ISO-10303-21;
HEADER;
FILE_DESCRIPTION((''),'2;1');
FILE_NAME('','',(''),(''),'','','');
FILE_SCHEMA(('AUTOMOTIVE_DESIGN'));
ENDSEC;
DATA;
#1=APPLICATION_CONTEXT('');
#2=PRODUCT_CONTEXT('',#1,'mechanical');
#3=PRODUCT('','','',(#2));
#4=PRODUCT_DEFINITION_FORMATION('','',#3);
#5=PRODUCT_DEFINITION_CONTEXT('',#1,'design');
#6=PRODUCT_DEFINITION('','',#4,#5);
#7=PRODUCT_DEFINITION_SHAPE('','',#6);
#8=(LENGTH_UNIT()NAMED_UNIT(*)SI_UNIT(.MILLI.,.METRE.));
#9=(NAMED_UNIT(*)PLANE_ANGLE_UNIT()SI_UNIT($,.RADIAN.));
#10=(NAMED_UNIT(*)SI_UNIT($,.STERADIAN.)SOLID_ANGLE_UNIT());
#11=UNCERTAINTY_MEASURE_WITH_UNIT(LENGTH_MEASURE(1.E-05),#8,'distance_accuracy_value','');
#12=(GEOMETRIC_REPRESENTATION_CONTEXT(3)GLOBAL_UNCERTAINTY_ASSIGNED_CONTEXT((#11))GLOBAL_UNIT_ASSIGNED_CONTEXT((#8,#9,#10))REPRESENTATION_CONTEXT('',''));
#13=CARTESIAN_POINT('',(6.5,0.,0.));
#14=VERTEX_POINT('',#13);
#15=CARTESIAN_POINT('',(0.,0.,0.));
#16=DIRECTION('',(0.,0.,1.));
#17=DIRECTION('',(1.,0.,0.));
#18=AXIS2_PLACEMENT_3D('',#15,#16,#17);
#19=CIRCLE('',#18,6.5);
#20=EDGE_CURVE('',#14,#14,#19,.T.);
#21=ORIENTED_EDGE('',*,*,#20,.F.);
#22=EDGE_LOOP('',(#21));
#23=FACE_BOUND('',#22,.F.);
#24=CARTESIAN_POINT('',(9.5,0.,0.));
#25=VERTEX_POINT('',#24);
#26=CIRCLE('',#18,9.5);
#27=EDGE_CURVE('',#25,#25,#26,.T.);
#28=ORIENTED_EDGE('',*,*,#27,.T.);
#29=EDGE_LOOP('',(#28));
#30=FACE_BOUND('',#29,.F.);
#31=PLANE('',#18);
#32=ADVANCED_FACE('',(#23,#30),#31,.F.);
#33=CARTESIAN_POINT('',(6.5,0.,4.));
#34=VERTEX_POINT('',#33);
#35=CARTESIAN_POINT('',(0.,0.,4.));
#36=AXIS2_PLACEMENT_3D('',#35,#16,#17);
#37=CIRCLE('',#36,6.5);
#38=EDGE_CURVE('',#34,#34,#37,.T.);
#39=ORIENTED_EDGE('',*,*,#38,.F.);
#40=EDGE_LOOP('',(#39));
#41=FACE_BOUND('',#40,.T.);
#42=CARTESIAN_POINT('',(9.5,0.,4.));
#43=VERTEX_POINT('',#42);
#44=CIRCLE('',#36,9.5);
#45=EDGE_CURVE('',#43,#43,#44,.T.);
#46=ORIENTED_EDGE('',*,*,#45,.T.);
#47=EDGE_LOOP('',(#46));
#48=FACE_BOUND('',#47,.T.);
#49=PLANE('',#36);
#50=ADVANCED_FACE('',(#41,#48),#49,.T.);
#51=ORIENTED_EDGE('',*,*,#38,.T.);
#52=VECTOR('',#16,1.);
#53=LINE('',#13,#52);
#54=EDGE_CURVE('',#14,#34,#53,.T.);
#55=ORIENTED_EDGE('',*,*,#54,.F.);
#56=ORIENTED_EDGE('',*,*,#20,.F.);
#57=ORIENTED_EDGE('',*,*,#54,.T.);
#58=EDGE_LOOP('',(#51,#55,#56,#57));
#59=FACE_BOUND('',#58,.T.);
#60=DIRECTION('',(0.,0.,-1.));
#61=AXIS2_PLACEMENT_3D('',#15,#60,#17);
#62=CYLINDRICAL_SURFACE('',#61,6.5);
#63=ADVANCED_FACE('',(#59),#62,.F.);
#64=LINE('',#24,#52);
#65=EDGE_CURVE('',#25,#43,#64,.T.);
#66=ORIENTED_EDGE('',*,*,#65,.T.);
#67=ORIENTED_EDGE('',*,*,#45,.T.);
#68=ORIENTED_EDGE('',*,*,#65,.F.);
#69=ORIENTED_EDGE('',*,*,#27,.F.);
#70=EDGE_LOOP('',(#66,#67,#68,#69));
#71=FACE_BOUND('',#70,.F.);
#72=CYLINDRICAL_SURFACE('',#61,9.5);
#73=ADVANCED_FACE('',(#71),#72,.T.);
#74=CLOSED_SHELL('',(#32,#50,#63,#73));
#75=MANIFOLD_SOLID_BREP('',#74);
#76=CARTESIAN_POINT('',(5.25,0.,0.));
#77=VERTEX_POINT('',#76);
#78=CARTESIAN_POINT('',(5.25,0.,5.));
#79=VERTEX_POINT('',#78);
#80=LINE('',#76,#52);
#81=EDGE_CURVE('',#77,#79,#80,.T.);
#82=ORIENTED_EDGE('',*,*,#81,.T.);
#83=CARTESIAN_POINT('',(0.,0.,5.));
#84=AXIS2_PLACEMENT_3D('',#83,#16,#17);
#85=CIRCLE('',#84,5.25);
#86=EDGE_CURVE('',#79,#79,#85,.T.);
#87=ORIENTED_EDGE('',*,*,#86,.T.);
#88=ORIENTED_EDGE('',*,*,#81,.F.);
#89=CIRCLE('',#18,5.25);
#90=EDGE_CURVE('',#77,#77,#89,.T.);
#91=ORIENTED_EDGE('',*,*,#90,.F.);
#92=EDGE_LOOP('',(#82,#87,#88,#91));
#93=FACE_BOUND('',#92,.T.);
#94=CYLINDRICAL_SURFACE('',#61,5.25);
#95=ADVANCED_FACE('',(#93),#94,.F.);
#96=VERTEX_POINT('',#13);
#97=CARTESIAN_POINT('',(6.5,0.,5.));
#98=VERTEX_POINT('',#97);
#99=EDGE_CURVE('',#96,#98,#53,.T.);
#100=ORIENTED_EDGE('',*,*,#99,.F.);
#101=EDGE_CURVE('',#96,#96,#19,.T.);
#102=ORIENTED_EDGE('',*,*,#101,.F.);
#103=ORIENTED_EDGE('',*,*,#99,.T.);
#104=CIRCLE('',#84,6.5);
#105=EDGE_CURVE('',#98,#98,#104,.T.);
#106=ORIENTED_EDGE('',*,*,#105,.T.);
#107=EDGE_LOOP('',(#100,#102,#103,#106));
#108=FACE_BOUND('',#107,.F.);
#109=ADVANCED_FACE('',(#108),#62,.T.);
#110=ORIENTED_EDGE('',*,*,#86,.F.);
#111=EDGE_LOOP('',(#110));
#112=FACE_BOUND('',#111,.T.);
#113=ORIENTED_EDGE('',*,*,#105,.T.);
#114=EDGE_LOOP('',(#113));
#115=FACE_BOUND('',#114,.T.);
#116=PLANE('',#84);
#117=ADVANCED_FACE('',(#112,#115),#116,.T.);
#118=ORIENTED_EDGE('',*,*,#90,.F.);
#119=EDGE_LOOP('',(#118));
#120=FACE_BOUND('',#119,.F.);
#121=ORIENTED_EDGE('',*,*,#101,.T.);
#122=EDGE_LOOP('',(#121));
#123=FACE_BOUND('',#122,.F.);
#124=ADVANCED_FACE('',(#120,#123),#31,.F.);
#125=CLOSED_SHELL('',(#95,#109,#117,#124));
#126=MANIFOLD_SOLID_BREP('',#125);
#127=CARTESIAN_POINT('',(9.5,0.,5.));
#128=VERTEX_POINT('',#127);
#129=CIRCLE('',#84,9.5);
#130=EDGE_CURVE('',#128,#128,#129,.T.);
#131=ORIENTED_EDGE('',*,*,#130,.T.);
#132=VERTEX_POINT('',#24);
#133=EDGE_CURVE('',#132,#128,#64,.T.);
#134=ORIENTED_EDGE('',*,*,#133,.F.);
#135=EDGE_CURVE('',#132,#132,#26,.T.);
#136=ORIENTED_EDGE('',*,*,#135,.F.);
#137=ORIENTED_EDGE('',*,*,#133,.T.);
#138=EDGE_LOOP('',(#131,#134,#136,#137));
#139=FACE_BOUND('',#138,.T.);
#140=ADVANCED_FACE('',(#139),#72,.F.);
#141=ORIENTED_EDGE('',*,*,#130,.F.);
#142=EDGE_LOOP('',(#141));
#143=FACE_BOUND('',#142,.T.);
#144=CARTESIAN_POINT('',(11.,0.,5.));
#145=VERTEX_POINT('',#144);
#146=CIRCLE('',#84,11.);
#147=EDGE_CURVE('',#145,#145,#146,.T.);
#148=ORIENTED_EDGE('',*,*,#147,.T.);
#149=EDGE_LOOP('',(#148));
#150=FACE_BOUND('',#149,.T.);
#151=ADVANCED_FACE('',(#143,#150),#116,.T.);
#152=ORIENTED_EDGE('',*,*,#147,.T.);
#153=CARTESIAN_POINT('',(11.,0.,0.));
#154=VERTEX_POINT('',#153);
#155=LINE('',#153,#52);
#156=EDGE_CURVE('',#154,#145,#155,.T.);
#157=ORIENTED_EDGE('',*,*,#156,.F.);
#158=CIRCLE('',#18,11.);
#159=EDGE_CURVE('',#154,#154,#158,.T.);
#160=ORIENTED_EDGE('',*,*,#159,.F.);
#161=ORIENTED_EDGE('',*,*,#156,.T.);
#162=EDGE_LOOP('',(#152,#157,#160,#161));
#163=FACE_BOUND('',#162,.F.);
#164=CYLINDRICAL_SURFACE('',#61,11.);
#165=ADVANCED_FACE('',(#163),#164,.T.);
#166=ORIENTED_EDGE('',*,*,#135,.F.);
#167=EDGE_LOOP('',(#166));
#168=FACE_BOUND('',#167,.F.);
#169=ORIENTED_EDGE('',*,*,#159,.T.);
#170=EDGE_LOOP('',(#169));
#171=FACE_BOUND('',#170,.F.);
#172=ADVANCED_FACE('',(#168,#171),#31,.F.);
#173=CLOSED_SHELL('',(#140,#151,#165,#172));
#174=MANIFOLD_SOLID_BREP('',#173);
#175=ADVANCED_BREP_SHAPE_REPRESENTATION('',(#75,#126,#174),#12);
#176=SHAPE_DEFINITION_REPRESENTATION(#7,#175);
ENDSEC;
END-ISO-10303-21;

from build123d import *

# Parameters (mm, degrees)
F0_R     = 11
F0_R_2   = 9.5
F1_DEPTH = 5
F0_R_3   = 6.5
F0_R_4   = 5.25
F2_DEPTH = 5
F3_DEPTH = 4


with BuildPart() as f1:
    # F0 (on Top) → F1 (new body)
    with BuildSketch(Plane.XY):
        Circle(F0_R)
        Circle(F0_R_2, mode=Mode.SUBTRACT)
    extrude(amount=F1_DEPTH)


with BuildPart() as f2:
    # F0 (on Top) → F2 (new body)
    with BuildSketch(Plane.XY):
        Circle(F0_R_3)
        Circle(F0_R_4, mode=Mode.SUBTRACT)
    extrude(amount=F2_DEPTH)


with BuildPart() as f3:
    # F0 (on Top) → F3 (new body)
    with BuildSketch(Plane.XY):
        Circle(F0_R_2)
        Circle(F0_R_3, mode=Mode.SUBTRACT)
    extrude(amount=F3_DEPTH)


solid = Compound([f1.part, f2.part, f3.part])
